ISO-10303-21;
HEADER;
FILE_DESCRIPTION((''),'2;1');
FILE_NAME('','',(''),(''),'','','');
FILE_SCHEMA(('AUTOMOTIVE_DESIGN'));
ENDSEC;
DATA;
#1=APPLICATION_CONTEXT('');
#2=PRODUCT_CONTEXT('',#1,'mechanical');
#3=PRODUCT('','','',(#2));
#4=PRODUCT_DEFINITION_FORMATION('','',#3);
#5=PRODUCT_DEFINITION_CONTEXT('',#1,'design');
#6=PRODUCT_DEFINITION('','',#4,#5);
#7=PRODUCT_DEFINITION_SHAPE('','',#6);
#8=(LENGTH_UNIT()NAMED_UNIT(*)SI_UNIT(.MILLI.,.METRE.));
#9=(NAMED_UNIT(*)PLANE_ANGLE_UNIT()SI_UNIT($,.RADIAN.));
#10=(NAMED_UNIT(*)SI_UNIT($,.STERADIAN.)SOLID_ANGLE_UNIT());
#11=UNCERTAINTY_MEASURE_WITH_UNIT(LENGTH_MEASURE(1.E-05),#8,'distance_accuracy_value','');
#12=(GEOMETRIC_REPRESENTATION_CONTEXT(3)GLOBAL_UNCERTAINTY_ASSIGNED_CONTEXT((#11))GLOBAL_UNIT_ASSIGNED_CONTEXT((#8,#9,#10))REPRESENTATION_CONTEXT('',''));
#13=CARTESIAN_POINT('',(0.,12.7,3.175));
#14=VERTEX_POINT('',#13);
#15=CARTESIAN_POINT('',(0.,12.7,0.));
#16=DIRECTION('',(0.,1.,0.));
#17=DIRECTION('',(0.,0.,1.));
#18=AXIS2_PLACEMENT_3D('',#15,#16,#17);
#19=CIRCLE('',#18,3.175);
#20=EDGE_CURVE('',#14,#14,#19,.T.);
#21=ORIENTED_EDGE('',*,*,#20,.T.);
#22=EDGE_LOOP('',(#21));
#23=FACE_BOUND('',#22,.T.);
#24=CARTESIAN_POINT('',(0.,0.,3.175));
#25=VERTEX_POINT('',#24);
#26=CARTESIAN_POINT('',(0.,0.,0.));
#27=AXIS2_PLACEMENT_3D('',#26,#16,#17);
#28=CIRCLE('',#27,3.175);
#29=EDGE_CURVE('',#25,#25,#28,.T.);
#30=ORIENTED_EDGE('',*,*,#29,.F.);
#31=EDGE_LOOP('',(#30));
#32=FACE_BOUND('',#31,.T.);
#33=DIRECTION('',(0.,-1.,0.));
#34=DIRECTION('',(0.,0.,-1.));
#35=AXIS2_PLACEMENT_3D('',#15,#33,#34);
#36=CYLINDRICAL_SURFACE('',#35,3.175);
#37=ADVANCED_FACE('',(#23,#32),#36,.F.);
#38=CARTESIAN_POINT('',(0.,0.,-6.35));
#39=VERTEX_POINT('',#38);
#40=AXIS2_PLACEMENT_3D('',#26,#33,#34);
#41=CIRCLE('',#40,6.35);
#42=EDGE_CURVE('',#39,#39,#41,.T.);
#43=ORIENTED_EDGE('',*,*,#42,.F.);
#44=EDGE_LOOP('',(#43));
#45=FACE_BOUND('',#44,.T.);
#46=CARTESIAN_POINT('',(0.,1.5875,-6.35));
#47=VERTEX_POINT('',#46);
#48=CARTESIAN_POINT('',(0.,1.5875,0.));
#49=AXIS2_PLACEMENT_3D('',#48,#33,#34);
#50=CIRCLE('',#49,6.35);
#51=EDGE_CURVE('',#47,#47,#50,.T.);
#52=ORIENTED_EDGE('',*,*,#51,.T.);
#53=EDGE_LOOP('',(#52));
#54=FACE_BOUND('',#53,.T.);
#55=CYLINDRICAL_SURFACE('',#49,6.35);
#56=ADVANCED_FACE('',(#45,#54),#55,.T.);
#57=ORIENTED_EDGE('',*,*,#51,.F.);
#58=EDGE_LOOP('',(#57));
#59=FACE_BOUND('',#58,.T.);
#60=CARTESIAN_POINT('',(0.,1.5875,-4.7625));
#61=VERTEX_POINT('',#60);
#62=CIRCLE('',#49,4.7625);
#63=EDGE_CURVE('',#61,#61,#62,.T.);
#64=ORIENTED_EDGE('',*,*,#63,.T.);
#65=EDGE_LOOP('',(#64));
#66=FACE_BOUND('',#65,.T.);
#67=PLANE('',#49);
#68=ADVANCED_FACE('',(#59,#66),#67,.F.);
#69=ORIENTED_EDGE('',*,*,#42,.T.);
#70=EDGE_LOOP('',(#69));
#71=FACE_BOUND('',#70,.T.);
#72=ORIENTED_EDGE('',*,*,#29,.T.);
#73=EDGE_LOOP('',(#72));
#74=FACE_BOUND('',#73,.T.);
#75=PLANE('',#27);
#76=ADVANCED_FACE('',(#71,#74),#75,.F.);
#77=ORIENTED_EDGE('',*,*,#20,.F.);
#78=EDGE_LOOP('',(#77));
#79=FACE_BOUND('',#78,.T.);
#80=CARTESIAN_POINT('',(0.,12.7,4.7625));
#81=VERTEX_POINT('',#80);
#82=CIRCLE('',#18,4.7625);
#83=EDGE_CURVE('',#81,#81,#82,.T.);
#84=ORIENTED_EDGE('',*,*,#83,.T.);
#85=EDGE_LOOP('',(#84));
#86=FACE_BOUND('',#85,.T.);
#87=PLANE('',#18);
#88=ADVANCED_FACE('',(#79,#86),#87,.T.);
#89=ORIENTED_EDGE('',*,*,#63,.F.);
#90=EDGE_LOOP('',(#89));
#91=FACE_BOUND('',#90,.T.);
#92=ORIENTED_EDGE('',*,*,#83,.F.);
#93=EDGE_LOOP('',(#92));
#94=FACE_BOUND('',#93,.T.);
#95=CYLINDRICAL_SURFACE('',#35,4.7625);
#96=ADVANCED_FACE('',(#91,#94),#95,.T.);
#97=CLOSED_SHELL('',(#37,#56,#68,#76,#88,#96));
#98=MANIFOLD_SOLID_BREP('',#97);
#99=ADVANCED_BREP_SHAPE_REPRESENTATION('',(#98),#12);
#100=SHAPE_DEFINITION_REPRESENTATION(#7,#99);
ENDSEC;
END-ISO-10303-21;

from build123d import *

# Parameters (mm, degrees)
SKETCH1_R           = 4.7625
SKETCH1_R_2         = 3.175
BOSS_EXTRUDE1_DEPTH = 12.7
SKETCH2_R           = 6.35
SKETCH2_R_2         = 4.7625
BOSS_EXTRUDE2_DEPTH = 1.5875


with BuildPart() as part:
    # Sketch1 → Boss-Extrude1 (new body)
    with BuildSketch(Plane(origin=(0, 0, 0), x_dir=(1, 0, 0), z_dir=(0, 1, 0))):
        with Locations(Location((0, 0, 0), (0, 0, 270))):
            Circle(SKETCH1_R)
        with Locations(Location((0, 0, 0), (0, 0, 270))):
            Circle(SKETCH1_R_2, mode=Mode.SUBTRACT)
    extrude(amount=BOSS_EXTRUDE1_DEPTH)

    # Sketch2 → Boss-Extrude2 (add)
    with BuildSketch(Plane.XZ):
        with Locations(Location((0, 0, 0), (0, 0, 270))):
            Circle(SKETCH2_R)
        with Locations(Location((0, 0, 0), (0, 0, 270))):
            Circle(SKETCH2_R_2, mode=Mode.SUBTRACT)
    extrude(amount=-BOSS_EXTRUDE2_DEPTH)


solid = part.part
